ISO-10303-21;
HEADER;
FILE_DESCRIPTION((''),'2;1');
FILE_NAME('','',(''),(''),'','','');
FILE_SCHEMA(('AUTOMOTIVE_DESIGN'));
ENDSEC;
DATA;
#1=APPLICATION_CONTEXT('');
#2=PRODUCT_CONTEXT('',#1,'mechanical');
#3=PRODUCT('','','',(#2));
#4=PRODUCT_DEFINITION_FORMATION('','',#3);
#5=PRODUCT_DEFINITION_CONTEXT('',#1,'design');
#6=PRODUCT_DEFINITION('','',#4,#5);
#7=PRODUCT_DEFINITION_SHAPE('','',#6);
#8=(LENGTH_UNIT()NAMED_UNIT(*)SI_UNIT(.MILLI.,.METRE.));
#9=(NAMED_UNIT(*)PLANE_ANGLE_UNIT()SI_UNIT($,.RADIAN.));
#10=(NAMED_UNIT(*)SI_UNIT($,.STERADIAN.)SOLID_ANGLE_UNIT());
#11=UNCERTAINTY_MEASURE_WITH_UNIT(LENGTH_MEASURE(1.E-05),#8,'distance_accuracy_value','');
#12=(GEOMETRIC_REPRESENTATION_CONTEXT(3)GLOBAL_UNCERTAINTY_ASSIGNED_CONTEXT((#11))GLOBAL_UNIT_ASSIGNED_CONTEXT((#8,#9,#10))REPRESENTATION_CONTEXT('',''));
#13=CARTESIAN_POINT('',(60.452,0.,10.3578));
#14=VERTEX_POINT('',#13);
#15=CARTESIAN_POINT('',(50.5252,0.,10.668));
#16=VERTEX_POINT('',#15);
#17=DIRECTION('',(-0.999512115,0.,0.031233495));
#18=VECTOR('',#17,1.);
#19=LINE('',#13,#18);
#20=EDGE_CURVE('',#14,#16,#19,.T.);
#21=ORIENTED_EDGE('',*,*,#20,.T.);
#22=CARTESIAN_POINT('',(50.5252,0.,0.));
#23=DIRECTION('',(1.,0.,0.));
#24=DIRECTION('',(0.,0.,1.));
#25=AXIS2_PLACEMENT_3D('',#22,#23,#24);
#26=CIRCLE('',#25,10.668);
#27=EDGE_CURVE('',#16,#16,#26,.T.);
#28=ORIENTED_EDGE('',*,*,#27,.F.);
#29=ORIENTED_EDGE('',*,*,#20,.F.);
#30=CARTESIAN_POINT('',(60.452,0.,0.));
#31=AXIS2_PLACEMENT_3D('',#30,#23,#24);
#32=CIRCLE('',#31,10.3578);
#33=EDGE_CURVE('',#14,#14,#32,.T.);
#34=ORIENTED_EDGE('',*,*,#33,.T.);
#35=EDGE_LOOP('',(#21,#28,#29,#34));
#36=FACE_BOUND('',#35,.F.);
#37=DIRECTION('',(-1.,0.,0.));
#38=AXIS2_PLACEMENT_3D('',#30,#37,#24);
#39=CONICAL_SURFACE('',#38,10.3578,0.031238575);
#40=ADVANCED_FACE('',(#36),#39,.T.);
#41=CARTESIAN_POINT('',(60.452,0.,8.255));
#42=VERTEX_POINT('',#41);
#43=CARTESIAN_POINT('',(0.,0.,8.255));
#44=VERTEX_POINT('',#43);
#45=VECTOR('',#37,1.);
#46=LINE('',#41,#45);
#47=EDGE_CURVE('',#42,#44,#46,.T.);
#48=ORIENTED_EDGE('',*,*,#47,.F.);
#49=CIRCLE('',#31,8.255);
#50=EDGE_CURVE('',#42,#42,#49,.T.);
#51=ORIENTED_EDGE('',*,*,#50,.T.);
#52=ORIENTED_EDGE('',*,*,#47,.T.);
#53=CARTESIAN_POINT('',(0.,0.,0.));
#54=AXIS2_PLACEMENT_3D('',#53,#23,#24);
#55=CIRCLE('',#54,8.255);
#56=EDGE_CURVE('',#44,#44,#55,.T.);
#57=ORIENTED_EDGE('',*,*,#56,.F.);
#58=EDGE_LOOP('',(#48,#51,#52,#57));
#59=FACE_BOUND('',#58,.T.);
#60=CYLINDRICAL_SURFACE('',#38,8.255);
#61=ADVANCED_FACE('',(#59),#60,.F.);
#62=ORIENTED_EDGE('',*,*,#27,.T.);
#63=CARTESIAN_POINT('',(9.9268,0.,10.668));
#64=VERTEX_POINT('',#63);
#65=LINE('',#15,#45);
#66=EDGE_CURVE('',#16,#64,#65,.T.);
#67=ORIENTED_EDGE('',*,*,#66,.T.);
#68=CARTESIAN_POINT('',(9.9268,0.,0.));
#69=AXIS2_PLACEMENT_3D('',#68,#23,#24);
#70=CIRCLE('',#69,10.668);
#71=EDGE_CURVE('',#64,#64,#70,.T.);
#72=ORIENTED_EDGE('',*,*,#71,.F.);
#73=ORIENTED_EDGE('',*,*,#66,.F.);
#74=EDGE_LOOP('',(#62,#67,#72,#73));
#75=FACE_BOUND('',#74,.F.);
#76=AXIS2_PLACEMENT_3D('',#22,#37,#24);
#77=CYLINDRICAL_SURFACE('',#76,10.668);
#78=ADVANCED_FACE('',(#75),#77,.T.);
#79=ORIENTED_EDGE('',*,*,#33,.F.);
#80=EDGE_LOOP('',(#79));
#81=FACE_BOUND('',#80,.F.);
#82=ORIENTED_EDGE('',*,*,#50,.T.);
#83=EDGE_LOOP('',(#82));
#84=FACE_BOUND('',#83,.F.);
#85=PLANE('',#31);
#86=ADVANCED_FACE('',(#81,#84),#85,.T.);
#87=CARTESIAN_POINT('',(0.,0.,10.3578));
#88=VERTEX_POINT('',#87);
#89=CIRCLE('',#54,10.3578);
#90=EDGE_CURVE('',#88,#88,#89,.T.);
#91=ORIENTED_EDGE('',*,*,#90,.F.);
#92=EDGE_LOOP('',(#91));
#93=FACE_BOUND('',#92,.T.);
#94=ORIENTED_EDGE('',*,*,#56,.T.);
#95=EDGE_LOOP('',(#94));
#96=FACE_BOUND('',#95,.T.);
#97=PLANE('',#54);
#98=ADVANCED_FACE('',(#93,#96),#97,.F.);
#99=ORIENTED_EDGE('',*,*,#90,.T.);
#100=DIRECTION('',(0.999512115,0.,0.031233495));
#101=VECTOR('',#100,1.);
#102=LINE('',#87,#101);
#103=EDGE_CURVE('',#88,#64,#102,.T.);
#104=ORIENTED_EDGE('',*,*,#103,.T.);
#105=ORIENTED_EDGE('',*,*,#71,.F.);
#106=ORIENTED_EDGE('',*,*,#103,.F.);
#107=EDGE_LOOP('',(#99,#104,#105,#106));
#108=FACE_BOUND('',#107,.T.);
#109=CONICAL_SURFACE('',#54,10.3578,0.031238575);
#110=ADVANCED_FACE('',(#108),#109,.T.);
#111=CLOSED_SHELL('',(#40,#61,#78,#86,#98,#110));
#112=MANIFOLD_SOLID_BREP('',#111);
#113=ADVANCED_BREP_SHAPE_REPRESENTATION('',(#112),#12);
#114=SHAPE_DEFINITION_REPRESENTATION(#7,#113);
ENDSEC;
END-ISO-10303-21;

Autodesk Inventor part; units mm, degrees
ref_plane "YZ Plane" through (0, 0, 0) normal (1, 0, 0) x (0, 1, 0)
ref_plane "XZ Plane" through (0, 0, 0) normal (0, 1, 0) x (-1, 0, 0)
ref_plane "XY Plane" through (0, 0, 0) normal (0, 0, 1) x (1, 0, 0)
sketch "Sketch1" plane through (0, 0, 0) normal (0, 1, 0) x (-1, 0, 0)
  line L0 (0, 0) -> (-60.452, 0)
  line L1 (-60.452, 0) -> (-60.452, 8.255) construction
  line L2 (-60.452, 8.255) -> (-60.452, 10.3578)
  line L3 (-60.452, 10.3578) -> (-50.5252, 10.668)
  line L4 (-50.5252, 10.668) -> (-9.9268, 10.668)
  line L5 (-30.226, 0) -> (-30.226, 10.668) construction
  line L6 (-60.452, 8.255) -> (0, 8.255)
  line L7 (0, 0) -> (0, 8.255) construction
  line L8 (0, 8.255) -> (0, 10.3578)
  line L9 (0, 10.3578) -> (-9.9268, 10.668)
  line L10 (-46.896, 10.7814) -> (-46.896, 0) construction
  line L11 (-13.556, 10.7814) -> (-13.556, 0) construction
  line L12 (-50.5252, 10.668) -> (-46.896, 10.7814) construction
  line L13 (-50.5252, 10.668) -> (-50.5252, 0) construction
  line L14 (-9.9268, 10.668) -> (-13.556, 10.7814) construction
  line L15 (-9.9268, 10.668) -> (-9.9268, 0) construction
  dimension "d0" = 21.336
  dimension "d1" = 1.79
  dimension "d2" = 16.51
  dimension "d3" = 60.452
  dimension "d4" = 13.556
  dimension "d5" = 21.5628
revolve "Revolution1" add sketch "Sketch1" angle 360 about axis through (0, 0, 0) along (1, 0, 0)
thread "Thread1" size "1/2" designation "1/2 - 14 NPT" standard "NPT" full length
thread "Thread2" size "1/2" designation "1/2 - 14 NPT" standard "NPT" full length
equation "\"d0\" = OD"
equation "\"d2\" = ID"
equation "\"d3\" = L"
equation "\"d4\" = L2"
equation "\"d5\" = D2"
equation "\"OD\" = 21.336"
equation "\"t\" = 2.413"
equation "\"L\" = PL"
equation "\"L4\" = 19.8501"
equation "\"ID\" = 16.51"
equation "\"PL\" = 60.452"
equation "\"D2\" = 21.56282"
equation "\"L2\" = 13.55598"
equation "\"Size_Designation\" = 1.2345"
equation "\"PLmin\" = 2 * L2"
properties material "Steel, Wrought"
